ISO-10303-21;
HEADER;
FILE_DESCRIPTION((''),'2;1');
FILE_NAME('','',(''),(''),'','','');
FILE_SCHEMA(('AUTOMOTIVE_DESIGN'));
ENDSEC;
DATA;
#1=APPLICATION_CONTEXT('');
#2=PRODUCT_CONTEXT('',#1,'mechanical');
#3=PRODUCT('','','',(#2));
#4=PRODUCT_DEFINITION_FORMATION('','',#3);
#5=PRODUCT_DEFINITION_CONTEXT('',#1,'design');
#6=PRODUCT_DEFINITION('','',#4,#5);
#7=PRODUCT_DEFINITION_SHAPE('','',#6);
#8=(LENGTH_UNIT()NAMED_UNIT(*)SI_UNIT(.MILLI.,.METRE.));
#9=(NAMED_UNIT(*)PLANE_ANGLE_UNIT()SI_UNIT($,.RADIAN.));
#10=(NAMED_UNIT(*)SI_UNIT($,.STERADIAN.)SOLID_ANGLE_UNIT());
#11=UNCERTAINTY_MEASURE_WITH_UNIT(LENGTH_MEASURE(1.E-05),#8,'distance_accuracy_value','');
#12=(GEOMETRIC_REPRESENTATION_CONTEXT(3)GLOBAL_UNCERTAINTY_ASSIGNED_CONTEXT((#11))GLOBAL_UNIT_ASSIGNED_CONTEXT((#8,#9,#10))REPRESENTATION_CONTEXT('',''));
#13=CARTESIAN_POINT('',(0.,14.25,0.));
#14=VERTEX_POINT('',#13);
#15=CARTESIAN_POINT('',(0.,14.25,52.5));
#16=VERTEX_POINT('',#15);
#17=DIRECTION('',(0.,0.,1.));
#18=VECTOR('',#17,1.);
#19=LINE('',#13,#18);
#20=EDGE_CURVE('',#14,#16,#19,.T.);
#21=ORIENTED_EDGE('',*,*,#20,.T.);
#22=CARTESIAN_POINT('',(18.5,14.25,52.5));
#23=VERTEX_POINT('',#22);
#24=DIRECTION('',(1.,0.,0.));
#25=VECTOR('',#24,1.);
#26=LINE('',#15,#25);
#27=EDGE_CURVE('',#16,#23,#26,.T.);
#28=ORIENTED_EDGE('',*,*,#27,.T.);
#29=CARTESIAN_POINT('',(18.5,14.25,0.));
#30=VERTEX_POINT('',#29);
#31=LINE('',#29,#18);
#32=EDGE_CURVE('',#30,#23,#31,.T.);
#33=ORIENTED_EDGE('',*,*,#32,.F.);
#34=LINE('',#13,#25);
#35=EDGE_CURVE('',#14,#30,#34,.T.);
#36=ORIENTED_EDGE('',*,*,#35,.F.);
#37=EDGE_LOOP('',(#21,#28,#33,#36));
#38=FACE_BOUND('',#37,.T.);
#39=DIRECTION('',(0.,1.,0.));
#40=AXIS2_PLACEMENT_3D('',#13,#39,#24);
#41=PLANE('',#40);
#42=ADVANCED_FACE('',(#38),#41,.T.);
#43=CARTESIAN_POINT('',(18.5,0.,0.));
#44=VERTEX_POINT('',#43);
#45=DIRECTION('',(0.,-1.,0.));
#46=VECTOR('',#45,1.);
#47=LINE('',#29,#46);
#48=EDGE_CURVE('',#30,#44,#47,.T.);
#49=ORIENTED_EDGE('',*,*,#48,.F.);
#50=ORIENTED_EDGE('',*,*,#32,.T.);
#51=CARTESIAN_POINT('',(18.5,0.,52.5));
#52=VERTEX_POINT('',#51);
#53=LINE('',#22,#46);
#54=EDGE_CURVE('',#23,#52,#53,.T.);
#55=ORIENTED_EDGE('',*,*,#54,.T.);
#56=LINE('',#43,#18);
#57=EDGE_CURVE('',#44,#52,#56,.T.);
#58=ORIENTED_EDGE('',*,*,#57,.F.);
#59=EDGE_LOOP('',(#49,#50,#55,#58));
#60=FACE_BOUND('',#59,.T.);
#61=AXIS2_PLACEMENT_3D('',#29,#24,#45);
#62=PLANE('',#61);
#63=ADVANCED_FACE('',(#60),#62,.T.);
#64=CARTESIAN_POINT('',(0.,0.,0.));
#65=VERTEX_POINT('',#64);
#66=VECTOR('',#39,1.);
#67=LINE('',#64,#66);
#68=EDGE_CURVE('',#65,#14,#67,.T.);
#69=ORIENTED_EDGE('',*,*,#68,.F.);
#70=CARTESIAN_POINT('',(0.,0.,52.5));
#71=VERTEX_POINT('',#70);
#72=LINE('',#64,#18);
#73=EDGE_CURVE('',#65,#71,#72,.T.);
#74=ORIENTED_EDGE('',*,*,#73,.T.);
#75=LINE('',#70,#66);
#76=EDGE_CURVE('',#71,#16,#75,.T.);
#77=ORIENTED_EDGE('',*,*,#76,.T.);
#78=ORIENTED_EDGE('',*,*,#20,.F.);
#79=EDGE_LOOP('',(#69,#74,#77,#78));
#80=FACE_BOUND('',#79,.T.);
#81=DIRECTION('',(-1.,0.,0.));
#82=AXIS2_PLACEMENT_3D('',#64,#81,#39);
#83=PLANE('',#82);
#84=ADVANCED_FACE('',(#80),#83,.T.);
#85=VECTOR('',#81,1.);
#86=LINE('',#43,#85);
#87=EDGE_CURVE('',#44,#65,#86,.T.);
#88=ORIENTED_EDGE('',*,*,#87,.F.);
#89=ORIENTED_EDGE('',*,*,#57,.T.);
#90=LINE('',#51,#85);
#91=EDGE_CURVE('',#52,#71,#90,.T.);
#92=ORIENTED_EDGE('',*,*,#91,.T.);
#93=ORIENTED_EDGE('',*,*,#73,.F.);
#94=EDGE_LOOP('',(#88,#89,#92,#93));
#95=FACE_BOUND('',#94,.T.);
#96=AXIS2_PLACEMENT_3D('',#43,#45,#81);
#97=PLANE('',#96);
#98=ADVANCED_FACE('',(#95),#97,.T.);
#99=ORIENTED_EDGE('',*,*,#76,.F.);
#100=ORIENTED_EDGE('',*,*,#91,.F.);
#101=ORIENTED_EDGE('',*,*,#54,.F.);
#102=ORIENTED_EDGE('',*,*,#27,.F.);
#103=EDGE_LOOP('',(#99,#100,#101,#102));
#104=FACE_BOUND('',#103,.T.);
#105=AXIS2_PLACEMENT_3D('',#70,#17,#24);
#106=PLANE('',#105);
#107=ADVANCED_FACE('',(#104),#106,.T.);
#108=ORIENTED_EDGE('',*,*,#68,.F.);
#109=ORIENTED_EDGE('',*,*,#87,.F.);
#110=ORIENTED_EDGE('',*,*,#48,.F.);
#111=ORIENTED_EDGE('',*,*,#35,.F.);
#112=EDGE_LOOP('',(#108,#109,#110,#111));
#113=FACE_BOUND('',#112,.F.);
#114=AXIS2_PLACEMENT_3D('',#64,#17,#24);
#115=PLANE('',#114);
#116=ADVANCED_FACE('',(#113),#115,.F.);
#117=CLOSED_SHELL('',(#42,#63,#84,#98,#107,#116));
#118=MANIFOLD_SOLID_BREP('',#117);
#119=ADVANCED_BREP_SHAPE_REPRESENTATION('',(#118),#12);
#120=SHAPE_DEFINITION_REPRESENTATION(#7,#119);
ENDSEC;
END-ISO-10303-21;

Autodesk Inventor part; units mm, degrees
ref_plane "YZ Plane" through (0, 0, 0) normal (1, 0, 0) x (0, 1, 0)
ref_plane "XZ Plane" through (0, 0, 0) normal (0, 1, 0) x (-1, 0, 0)
ref_plane "XY Plane" through (0, 0, 0) normal (0, 0, 1) x (1, 0, 0)
sketch "Sketch1" plane through (0, 0, 0) normal (0, 0, 1) x (1, 0, 0)
  line L0 (0, 14.25) -> (18.5, 14.25)
  line L1 (18.5, 14.25) -> (18.5, 0)
  line L2 (18.5, 0) -> (0, 0)
  line L3 (0, 0) -> (0, 14.25)
  dimension "d0" = 18.5
  dimension "d1" = 14.25
extrude "Extrusion1" add sketch "Sketch1" along normal blind 52.5
properties part number "2sLIPO_SMALLER"
